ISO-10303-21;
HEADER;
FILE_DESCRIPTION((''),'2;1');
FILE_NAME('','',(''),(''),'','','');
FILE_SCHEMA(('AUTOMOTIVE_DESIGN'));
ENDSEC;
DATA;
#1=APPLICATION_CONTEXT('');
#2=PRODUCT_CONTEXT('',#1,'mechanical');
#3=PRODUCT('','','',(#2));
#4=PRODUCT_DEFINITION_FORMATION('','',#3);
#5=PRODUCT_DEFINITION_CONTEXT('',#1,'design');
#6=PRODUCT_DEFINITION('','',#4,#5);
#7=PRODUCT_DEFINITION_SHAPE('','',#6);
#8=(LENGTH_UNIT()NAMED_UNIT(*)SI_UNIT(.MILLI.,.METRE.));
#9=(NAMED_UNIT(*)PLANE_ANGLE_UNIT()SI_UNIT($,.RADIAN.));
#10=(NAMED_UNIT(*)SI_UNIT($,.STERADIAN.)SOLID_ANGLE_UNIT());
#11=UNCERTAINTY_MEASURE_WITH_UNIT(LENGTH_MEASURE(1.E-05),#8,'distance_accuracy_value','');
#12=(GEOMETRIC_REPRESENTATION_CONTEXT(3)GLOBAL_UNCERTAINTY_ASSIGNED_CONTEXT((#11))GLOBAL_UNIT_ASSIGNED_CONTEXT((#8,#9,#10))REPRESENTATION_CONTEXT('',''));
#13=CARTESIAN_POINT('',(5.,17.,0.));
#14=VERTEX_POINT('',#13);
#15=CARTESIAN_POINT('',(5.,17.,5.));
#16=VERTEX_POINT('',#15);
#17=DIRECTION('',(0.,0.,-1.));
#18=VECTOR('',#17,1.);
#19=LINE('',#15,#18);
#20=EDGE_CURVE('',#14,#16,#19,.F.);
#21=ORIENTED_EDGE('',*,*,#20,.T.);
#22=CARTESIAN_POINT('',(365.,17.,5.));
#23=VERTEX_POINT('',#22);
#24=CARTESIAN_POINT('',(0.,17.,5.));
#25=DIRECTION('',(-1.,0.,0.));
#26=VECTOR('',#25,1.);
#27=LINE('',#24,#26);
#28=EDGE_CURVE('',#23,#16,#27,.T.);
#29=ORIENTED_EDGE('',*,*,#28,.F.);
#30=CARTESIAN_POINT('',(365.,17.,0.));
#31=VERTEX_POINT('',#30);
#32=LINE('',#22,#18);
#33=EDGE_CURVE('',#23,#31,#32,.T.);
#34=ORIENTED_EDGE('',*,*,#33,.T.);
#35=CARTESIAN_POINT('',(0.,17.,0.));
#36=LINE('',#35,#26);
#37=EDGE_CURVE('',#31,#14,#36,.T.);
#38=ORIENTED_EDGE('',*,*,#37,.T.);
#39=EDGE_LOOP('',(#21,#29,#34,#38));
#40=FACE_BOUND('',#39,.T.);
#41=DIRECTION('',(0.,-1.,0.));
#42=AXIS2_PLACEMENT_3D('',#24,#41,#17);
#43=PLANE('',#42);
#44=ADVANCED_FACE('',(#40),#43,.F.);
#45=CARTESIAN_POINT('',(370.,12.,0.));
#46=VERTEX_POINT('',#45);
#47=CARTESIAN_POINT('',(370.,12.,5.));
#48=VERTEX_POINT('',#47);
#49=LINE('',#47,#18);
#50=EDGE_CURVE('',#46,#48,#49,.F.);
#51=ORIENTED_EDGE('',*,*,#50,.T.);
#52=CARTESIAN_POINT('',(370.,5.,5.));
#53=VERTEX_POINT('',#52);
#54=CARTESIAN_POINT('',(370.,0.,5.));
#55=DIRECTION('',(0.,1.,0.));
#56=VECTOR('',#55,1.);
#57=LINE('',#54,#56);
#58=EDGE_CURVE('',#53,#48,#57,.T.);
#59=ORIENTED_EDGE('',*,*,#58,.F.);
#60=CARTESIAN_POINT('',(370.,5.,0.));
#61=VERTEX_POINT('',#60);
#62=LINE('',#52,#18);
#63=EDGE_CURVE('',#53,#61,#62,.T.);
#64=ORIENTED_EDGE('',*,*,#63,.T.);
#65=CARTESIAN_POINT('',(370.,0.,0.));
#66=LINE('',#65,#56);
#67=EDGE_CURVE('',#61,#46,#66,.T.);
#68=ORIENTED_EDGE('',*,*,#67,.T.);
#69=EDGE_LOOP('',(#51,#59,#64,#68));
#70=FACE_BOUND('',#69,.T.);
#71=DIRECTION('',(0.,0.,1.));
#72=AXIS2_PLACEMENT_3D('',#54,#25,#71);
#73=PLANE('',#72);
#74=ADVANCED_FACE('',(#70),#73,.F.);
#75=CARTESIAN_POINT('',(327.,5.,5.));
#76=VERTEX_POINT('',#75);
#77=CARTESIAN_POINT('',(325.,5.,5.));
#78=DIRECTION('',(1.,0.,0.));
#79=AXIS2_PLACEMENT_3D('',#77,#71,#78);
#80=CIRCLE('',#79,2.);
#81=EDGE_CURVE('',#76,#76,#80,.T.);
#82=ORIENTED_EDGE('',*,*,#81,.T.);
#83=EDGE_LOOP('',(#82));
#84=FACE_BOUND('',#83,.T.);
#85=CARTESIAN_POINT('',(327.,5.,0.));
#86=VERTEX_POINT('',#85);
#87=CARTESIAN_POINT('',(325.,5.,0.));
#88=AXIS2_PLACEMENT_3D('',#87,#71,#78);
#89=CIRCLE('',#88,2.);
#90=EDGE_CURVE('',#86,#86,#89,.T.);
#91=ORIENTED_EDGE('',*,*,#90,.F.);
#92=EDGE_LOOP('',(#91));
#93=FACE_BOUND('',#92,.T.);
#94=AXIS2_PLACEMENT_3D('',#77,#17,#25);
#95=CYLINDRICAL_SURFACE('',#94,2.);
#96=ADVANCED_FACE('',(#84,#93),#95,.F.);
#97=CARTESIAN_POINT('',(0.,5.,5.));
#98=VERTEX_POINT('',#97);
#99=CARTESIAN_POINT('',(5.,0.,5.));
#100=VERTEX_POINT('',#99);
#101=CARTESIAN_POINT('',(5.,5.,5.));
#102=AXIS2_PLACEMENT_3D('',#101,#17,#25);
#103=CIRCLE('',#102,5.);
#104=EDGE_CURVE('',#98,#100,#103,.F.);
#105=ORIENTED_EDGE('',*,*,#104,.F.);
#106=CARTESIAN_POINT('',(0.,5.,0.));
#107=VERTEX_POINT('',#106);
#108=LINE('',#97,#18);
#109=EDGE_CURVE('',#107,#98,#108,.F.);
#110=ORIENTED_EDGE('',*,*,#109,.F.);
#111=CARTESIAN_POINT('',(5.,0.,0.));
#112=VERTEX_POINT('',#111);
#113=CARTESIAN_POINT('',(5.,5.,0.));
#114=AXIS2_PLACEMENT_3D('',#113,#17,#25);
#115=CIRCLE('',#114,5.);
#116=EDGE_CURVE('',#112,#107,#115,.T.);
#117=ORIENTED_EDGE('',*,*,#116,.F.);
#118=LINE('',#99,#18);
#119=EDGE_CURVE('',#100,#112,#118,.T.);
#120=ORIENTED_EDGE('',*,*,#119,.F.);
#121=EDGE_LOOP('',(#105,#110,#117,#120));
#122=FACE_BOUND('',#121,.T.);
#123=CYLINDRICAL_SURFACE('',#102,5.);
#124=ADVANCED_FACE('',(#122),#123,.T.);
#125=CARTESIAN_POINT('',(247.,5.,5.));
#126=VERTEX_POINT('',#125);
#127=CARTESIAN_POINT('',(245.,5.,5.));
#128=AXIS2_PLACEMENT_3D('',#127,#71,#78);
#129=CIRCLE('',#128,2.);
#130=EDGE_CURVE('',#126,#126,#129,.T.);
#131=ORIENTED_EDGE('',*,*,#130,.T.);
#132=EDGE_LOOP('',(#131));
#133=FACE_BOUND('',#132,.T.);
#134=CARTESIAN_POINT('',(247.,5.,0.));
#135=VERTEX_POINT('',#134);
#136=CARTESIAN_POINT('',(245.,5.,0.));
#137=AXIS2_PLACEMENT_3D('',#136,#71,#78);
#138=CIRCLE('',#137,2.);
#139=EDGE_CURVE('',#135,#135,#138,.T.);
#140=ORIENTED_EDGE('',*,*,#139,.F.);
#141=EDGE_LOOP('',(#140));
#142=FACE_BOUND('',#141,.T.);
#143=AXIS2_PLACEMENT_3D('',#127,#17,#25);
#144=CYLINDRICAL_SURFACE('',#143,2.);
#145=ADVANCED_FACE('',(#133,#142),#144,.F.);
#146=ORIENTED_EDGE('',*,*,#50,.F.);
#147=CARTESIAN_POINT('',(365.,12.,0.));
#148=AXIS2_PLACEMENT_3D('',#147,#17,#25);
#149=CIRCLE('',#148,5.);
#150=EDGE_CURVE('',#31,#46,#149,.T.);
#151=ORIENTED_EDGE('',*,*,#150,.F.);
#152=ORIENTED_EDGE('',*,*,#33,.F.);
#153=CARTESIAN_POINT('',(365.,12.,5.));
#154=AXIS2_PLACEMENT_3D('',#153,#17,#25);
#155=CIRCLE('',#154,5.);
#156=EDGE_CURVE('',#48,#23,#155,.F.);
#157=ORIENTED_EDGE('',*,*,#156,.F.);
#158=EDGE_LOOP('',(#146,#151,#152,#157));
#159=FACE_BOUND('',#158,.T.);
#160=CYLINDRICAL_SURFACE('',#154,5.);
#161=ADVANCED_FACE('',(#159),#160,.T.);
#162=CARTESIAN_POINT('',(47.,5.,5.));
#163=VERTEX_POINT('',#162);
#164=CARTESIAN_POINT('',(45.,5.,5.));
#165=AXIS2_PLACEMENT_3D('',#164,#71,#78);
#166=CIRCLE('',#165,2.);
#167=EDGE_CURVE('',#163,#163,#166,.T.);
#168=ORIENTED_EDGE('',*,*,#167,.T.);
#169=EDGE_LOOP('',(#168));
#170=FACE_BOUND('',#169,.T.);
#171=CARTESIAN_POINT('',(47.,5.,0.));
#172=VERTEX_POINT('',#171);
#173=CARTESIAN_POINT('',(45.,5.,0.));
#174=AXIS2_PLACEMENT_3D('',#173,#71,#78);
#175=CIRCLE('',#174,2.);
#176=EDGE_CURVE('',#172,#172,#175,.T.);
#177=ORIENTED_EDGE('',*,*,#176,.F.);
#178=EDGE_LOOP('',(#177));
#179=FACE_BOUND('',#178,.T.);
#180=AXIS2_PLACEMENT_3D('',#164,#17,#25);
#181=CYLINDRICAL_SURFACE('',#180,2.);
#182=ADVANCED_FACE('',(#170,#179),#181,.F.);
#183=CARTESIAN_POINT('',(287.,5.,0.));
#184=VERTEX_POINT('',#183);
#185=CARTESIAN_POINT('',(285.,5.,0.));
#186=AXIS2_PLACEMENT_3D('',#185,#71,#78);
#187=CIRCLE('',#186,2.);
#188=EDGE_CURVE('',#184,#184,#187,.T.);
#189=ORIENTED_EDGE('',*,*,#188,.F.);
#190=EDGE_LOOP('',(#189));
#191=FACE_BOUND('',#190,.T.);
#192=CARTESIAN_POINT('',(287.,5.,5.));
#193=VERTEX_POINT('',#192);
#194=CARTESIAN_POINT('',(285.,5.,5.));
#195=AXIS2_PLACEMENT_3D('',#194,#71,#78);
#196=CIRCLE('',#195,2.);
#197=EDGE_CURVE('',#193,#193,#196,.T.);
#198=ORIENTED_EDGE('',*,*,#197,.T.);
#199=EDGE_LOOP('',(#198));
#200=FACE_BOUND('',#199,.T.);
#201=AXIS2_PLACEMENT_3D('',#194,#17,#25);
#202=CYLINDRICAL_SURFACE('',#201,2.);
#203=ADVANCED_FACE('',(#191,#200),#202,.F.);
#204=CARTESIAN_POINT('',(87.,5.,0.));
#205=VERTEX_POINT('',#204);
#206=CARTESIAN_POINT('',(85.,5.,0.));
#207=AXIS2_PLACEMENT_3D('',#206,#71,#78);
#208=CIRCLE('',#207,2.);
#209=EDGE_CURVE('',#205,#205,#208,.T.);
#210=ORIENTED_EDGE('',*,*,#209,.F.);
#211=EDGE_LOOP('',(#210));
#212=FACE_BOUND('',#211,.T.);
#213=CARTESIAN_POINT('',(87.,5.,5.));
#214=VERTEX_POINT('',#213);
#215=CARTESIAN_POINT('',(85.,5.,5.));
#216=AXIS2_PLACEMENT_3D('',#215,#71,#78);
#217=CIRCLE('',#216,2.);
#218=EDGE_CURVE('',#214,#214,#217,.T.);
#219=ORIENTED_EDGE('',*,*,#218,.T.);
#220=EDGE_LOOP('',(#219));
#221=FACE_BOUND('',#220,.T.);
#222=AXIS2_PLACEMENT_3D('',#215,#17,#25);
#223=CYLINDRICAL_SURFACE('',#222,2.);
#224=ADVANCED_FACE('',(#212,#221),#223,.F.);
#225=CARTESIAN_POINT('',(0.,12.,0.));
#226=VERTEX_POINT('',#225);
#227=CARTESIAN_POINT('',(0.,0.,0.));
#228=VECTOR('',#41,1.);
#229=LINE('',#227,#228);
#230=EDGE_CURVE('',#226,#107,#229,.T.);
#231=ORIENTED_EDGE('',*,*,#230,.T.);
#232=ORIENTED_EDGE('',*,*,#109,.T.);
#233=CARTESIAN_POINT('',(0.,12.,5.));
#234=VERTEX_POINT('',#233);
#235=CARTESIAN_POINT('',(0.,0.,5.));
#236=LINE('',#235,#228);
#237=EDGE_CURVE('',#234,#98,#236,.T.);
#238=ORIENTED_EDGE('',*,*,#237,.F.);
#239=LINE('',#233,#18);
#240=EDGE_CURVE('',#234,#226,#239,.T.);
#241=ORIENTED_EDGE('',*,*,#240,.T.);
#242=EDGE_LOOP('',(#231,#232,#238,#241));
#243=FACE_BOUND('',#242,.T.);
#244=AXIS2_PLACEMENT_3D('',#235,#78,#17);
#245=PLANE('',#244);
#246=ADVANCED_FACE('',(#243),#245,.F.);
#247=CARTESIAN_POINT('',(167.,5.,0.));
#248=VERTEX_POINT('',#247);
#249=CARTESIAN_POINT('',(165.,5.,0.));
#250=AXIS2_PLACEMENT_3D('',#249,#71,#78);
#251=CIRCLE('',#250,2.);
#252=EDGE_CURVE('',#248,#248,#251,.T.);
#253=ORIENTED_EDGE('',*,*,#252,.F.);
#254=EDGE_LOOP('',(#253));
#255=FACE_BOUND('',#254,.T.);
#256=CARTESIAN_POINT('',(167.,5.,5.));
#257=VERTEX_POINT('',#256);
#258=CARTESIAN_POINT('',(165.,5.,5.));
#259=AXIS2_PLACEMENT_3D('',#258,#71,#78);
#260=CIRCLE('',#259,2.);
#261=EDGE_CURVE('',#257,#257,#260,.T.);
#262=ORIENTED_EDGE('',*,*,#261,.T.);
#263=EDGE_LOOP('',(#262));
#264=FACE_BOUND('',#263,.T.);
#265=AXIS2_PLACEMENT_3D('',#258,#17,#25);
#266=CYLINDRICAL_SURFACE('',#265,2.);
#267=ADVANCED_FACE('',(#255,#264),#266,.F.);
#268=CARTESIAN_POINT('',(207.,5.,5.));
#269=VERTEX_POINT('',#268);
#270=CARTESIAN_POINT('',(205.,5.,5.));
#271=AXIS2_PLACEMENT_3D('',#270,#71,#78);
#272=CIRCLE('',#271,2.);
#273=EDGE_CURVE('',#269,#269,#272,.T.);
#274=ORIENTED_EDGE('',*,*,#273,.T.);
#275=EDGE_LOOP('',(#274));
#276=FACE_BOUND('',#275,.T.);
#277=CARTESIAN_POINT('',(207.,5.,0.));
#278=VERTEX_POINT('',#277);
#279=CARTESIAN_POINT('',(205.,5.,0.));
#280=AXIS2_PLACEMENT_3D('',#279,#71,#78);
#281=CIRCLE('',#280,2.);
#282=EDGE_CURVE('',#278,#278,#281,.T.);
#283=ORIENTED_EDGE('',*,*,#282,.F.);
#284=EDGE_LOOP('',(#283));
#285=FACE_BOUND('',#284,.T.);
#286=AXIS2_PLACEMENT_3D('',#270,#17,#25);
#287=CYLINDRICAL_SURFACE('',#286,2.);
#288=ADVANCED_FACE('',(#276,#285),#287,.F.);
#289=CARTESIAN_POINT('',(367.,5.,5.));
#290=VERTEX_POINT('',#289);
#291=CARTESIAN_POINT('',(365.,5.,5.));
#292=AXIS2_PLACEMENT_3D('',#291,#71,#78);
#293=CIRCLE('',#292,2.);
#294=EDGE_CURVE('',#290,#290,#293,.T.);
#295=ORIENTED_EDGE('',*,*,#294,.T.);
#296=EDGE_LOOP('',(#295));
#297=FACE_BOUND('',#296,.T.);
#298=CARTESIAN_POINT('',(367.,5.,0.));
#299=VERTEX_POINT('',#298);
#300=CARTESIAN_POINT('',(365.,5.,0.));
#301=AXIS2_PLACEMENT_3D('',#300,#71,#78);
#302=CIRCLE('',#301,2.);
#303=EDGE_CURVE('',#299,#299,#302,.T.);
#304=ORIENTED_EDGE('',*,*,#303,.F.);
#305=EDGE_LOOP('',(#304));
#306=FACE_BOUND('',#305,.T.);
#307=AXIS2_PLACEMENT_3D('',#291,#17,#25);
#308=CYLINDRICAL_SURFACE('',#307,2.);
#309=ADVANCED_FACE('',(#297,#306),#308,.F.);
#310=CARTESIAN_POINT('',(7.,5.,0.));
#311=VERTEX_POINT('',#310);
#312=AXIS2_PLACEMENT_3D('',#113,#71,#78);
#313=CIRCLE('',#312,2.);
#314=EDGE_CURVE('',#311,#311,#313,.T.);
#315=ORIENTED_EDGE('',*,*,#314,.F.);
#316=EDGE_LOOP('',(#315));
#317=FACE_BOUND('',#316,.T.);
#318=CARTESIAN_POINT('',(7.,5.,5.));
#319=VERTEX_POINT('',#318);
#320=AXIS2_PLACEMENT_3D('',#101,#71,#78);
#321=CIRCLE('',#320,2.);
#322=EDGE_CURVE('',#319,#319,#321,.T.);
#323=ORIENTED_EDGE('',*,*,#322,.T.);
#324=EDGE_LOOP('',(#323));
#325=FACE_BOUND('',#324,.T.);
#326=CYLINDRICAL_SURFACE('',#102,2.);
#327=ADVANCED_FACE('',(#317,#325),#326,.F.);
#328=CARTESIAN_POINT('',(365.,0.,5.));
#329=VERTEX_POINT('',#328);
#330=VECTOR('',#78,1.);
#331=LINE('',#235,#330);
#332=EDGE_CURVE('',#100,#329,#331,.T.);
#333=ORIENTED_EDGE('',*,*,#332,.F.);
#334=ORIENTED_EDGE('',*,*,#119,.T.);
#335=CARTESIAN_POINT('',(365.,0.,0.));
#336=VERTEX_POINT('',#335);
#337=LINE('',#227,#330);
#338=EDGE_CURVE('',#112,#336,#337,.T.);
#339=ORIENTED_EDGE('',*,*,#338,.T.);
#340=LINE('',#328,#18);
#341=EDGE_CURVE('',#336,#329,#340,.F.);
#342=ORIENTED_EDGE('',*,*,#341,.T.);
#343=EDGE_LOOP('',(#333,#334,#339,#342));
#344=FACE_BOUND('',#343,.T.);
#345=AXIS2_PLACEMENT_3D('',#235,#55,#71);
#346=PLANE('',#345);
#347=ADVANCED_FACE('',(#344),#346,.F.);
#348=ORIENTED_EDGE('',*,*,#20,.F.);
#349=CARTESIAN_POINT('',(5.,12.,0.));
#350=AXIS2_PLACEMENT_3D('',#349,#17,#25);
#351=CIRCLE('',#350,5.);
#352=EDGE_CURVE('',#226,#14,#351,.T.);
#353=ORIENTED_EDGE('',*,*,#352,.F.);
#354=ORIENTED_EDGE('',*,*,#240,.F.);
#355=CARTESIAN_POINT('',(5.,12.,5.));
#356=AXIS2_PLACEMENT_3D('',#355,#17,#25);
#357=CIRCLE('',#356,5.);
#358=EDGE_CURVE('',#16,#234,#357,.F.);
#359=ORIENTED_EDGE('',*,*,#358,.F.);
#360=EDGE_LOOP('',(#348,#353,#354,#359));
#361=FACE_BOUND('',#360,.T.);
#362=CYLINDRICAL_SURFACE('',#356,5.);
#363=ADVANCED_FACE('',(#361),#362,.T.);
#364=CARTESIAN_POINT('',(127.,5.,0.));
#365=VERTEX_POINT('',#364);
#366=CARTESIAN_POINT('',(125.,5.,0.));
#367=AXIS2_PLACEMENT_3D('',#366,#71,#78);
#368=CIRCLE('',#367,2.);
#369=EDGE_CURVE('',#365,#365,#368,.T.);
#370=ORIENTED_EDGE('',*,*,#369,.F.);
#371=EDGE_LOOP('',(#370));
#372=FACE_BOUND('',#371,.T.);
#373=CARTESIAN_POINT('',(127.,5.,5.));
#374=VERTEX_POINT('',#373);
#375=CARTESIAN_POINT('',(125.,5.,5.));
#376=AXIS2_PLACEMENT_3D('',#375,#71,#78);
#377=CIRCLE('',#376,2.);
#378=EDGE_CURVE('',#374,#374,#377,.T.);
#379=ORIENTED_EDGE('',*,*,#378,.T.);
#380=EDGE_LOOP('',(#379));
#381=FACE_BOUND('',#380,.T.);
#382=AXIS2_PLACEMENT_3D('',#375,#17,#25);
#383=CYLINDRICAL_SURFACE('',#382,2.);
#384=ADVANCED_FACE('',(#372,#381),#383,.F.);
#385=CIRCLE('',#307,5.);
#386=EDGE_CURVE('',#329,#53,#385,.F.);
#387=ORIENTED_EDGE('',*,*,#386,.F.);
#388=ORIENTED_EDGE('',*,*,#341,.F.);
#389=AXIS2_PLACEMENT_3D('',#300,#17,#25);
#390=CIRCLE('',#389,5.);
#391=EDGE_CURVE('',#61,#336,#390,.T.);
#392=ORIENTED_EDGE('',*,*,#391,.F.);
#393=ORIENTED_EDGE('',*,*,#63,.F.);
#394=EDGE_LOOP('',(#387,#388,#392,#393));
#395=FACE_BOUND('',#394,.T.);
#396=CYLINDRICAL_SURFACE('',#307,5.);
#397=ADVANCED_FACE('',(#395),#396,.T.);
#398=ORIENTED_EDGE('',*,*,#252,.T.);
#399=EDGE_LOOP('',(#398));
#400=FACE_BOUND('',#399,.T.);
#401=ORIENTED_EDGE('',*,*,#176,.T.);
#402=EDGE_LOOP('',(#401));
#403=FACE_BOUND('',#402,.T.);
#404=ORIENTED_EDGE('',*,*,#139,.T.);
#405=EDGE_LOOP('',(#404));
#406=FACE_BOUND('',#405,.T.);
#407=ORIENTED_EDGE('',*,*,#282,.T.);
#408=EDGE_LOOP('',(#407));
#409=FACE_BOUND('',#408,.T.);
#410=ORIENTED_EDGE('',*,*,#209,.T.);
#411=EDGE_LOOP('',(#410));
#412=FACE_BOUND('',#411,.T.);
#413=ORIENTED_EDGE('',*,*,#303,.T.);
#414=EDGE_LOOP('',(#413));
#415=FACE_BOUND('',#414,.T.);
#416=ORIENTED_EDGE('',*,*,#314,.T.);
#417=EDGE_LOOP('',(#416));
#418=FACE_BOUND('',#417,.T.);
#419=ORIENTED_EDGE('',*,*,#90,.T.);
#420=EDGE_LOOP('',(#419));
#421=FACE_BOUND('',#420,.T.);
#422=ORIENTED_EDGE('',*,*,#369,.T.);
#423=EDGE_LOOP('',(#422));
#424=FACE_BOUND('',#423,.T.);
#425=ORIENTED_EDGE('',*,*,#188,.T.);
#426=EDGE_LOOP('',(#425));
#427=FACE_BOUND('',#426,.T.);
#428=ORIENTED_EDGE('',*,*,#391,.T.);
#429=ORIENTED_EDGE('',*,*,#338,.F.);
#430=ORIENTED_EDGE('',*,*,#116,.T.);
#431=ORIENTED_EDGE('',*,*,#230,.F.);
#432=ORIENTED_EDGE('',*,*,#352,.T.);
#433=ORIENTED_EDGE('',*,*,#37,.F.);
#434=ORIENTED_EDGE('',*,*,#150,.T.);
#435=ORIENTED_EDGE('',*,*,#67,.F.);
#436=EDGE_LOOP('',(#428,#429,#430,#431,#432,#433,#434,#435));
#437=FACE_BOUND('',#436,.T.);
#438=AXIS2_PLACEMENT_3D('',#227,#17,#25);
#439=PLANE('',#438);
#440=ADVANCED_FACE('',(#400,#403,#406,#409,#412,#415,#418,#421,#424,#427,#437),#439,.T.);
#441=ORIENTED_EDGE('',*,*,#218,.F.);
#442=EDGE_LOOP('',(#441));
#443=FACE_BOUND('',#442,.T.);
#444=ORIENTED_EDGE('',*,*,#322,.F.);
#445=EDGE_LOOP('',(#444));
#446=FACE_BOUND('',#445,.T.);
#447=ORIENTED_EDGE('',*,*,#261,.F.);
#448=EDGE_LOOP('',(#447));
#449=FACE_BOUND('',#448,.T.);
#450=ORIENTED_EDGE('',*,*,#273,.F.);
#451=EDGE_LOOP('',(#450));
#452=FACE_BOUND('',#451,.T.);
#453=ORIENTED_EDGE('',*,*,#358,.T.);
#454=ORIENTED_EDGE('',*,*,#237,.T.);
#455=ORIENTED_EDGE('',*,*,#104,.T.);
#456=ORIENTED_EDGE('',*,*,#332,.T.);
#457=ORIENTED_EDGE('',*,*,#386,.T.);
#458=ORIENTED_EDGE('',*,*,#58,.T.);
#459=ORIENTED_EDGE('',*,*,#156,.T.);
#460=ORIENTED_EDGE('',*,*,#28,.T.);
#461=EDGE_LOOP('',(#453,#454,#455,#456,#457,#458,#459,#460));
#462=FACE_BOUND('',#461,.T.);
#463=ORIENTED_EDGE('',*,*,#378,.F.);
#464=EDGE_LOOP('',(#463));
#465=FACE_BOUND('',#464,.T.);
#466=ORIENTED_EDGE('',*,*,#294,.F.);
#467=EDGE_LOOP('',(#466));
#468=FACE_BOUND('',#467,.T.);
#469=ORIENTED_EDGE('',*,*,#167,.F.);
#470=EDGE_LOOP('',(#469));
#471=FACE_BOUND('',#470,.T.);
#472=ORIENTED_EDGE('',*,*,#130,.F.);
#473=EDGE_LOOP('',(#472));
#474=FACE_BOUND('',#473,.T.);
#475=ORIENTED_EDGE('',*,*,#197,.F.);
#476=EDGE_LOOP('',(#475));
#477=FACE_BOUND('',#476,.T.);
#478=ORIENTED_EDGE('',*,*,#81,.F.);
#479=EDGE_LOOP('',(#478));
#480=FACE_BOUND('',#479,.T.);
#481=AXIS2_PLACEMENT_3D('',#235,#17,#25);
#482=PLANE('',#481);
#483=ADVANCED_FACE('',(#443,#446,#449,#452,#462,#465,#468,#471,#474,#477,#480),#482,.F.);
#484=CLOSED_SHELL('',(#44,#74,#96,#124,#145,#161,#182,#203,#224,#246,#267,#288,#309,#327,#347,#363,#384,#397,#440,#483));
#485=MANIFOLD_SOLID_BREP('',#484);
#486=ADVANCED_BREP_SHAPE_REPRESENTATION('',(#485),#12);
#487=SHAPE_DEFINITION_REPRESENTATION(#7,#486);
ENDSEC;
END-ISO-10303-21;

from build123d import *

# Parameters (mm, degrees)
ESQUISSE1_W        = 370
ESQUISSE1_H        = 17
ESQUISSE1_R        = 2
BOSS_EXTRU_1_DEPTH = 5
CONG_1_R           = 5


with BuildPart() as part:
    # Esquisse1 → Boss.-Extru.1 (new body)
    with BuildSketch(Plane.XY):
        with Locations((185, 8.5)):
            Rectangle(ESQUISSE1_W, ESQUISSE1_H)
        with Locations((5, 5)):
            Circle(ESQUISSE1_R, mode=Mode.SUBTRACT)
        with Locations((45, 5)):
            Circle(ESQUISSE1_R, mode=Mode.SUBTRACT)
        with Locations((85, 5)):
            Circle(ESQUISSE1_R, mode=Mode.SUBTRACT)
        with Locations((125, 5)):
            Circle(ESQUISSE1_R, mode=Mode.SUBTRACT)
        with Locations((165, 5)):
            Circle(ESQUISSE1_R, mode=Mode.SUBTRACT)
        with Locations((205, 5)):
            Circle(ESQUISSE1_R, mode=Mode.SUBTRACT)
        with Locations((245, 5)):
            Circle(ESQUISSE1_R, mode=Mode.SUBTRACT)
        with Locations((285, 5)):
            Circle(ESQUISSE1_R, mode=Mode.SUBTRACT)
        with Locations((325, 5)):
            Circle(ESQUISSE1_R, mode=Mode.SUBTRACT)
        with Locations((365, 5)):
            Circle(ESQUISSE1_R, mode=Mode.SUBTRACT)
    extrude(amount=BOSS_EXTRU_1_DEPTH)

    # Congé1
    cong_1_edges = [part.edges().sort_by_distance(p)[0] for p in [
        (0, 17, 2.5),
        (370, 17, 2.5),
        (370, 0, 2.5),
        (0, 0, 2.5),
    ]]
    fillet(cong_1_edges, radius=CONG_1_R)


solid = part.part
